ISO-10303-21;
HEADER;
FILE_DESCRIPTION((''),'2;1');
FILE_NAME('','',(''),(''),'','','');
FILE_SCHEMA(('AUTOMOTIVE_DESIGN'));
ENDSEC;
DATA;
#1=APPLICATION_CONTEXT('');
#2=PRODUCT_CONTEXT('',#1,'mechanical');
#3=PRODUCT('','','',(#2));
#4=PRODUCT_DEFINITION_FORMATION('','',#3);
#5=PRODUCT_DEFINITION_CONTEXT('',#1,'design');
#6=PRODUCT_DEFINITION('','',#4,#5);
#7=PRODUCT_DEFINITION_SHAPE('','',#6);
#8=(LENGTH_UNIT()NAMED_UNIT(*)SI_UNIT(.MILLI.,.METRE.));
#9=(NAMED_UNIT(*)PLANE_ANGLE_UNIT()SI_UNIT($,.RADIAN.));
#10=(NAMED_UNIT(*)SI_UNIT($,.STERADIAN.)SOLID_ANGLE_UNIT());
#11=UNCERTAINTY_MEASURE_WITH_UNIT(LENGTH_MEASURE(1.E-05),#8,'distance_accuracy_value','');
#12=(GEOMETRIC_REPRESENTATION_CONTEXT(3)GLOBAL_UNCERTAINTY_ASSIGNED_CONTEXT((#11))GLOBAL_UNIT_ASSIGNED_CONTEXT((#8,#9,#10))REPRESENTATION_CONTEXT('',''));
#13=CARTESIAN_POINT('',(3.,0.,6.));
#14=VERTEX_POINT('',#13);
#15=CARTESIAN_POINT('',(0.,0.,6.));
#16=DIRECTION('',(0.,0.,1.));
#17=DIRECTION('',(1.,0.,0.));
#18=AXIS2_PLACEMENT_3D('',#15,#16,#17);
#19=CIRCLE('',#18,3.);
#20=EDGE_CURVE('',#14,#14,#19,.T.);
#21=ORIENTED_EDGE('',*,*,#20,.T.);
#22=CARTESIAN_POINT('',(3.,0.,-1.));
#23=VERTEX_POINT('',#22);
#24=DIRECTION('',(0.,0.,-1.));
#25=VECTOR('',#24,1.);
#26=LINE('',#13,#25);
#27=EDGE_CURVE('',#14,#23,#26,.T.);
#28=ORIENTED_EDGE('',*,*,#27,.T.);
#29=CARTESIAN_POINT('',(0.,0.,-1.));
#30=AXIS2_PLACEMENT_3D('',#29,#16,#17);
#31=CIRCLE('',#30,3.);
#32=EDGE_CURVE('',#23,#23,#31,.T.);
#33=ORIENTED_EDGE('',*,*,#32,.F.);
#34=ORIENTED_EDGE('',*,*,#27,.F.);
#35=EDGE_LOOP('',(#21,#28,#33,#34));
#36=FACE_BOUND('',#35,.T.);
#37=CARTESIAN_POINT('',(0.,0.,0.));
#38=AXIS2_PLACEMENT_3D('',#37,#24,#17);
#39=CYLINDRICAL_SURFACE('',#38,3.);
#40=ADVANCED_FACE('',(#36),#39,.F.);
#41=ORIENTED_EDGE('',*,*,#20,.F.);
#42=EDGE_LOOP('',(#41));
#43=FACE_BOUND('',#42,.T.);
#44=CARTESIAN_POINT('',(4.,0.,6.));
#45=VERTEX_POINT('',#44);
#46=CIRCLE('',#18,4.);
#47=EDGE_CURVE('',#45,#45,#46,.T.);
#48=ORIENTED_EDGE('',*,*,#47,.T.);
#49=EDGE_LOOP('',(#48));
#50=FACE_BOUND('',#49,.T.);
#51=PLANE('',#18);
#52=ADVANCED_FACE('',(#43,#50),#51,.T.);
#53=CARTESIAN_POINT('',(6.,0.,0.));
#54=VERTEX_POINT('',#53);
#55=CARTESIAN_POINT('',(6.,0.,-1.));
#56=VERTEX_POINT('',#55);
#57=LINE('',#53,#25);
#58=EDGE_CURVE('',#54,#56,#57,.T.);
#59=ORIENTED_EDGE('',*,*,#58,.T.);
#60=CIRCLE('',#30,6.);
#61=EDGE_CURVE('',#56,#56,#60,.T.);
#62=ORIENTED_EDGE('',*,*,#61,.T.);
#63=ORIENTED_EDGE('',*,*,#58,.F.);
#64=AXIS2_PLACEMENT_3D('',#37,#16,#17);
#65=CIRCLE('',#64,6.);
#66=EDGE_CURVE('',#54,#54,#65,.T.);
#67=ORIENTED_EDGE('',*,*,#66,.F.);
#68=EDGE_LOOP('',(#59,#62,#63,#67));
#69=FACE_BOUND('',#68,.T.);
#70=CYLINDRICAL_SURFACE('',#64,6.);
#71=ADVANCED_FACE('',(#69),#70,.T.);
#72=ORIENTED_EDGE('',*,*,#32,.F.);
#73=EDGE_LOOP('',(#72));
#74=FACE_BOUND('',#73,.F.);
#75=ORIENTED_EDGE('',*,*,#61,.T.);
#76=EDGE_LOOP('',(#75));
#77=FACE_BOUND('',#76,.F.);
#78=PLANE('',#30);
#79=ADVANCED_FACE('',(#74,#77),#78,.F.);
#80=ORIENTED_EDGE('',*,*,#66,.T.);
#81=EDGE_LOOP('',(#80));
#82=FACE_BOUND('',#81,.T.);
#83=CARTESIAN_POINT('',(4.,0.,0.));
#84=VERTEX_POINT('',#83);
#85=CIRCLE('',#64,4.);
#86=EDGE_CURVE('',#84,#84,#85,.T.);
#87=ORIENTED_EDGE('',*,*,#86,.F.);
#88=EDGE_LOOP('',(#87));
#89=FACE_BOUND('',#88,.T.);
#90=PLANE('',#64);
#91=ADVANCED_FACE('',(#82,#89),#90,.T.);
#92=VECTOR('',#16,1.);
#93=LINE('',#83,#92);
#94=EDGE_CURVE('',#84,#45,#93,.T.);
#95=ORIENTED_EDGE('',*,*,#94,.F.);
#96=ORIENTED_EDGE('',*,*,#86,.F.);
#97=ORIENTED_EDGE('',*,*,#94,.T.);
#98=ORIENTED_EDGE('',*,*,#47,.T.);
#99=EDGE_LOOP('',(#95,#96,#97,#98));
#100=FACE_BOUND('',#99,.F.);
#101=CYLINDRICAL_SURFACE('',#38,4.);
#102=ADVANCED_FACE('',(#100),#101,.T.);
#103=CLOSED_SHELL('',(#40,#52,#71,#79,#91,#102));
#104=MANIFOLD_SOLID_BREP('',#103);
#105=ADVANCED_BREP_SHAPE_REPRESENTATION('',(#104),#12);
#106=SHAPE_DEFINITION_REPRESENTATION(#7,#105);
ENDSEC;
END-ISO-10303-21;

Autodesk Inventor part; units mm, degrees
ref_plane "YZ Plane" through (0, 0, 0) normal (1, 0, 0) x (0, 1, 0)
ref_plane "XZ Plane" through (0, 0, 0) normal (0, 1, 0) x (-1, 0, 0)
ref_plane "XY Plane" through (0, 0, 0) normal (0, 0, 1) x (1, 0, 0)
sketch "スケッチ1" plane through (0, 0, 0) normal (0, 0, 1) x (1, 0, 0)
  circle A0 centre (0, 0) radius 3
  circle A1 centre (0, 0) radius 4
  circle A2 centre (0, 0) radius 6
  dimension "d0" = 6
  dimension "d1" = 8
  dimension "d4" = 12
extrude "押し出し1" add sketch "スケッチ1" along normal blind 6 contours A1
extrude "押し出し2" add sketch "スケッチ1" against normal blind 1 contours A1 | A2
properties part number "オイレスFd6D8L7" material "アセタール樹脂、黒"
